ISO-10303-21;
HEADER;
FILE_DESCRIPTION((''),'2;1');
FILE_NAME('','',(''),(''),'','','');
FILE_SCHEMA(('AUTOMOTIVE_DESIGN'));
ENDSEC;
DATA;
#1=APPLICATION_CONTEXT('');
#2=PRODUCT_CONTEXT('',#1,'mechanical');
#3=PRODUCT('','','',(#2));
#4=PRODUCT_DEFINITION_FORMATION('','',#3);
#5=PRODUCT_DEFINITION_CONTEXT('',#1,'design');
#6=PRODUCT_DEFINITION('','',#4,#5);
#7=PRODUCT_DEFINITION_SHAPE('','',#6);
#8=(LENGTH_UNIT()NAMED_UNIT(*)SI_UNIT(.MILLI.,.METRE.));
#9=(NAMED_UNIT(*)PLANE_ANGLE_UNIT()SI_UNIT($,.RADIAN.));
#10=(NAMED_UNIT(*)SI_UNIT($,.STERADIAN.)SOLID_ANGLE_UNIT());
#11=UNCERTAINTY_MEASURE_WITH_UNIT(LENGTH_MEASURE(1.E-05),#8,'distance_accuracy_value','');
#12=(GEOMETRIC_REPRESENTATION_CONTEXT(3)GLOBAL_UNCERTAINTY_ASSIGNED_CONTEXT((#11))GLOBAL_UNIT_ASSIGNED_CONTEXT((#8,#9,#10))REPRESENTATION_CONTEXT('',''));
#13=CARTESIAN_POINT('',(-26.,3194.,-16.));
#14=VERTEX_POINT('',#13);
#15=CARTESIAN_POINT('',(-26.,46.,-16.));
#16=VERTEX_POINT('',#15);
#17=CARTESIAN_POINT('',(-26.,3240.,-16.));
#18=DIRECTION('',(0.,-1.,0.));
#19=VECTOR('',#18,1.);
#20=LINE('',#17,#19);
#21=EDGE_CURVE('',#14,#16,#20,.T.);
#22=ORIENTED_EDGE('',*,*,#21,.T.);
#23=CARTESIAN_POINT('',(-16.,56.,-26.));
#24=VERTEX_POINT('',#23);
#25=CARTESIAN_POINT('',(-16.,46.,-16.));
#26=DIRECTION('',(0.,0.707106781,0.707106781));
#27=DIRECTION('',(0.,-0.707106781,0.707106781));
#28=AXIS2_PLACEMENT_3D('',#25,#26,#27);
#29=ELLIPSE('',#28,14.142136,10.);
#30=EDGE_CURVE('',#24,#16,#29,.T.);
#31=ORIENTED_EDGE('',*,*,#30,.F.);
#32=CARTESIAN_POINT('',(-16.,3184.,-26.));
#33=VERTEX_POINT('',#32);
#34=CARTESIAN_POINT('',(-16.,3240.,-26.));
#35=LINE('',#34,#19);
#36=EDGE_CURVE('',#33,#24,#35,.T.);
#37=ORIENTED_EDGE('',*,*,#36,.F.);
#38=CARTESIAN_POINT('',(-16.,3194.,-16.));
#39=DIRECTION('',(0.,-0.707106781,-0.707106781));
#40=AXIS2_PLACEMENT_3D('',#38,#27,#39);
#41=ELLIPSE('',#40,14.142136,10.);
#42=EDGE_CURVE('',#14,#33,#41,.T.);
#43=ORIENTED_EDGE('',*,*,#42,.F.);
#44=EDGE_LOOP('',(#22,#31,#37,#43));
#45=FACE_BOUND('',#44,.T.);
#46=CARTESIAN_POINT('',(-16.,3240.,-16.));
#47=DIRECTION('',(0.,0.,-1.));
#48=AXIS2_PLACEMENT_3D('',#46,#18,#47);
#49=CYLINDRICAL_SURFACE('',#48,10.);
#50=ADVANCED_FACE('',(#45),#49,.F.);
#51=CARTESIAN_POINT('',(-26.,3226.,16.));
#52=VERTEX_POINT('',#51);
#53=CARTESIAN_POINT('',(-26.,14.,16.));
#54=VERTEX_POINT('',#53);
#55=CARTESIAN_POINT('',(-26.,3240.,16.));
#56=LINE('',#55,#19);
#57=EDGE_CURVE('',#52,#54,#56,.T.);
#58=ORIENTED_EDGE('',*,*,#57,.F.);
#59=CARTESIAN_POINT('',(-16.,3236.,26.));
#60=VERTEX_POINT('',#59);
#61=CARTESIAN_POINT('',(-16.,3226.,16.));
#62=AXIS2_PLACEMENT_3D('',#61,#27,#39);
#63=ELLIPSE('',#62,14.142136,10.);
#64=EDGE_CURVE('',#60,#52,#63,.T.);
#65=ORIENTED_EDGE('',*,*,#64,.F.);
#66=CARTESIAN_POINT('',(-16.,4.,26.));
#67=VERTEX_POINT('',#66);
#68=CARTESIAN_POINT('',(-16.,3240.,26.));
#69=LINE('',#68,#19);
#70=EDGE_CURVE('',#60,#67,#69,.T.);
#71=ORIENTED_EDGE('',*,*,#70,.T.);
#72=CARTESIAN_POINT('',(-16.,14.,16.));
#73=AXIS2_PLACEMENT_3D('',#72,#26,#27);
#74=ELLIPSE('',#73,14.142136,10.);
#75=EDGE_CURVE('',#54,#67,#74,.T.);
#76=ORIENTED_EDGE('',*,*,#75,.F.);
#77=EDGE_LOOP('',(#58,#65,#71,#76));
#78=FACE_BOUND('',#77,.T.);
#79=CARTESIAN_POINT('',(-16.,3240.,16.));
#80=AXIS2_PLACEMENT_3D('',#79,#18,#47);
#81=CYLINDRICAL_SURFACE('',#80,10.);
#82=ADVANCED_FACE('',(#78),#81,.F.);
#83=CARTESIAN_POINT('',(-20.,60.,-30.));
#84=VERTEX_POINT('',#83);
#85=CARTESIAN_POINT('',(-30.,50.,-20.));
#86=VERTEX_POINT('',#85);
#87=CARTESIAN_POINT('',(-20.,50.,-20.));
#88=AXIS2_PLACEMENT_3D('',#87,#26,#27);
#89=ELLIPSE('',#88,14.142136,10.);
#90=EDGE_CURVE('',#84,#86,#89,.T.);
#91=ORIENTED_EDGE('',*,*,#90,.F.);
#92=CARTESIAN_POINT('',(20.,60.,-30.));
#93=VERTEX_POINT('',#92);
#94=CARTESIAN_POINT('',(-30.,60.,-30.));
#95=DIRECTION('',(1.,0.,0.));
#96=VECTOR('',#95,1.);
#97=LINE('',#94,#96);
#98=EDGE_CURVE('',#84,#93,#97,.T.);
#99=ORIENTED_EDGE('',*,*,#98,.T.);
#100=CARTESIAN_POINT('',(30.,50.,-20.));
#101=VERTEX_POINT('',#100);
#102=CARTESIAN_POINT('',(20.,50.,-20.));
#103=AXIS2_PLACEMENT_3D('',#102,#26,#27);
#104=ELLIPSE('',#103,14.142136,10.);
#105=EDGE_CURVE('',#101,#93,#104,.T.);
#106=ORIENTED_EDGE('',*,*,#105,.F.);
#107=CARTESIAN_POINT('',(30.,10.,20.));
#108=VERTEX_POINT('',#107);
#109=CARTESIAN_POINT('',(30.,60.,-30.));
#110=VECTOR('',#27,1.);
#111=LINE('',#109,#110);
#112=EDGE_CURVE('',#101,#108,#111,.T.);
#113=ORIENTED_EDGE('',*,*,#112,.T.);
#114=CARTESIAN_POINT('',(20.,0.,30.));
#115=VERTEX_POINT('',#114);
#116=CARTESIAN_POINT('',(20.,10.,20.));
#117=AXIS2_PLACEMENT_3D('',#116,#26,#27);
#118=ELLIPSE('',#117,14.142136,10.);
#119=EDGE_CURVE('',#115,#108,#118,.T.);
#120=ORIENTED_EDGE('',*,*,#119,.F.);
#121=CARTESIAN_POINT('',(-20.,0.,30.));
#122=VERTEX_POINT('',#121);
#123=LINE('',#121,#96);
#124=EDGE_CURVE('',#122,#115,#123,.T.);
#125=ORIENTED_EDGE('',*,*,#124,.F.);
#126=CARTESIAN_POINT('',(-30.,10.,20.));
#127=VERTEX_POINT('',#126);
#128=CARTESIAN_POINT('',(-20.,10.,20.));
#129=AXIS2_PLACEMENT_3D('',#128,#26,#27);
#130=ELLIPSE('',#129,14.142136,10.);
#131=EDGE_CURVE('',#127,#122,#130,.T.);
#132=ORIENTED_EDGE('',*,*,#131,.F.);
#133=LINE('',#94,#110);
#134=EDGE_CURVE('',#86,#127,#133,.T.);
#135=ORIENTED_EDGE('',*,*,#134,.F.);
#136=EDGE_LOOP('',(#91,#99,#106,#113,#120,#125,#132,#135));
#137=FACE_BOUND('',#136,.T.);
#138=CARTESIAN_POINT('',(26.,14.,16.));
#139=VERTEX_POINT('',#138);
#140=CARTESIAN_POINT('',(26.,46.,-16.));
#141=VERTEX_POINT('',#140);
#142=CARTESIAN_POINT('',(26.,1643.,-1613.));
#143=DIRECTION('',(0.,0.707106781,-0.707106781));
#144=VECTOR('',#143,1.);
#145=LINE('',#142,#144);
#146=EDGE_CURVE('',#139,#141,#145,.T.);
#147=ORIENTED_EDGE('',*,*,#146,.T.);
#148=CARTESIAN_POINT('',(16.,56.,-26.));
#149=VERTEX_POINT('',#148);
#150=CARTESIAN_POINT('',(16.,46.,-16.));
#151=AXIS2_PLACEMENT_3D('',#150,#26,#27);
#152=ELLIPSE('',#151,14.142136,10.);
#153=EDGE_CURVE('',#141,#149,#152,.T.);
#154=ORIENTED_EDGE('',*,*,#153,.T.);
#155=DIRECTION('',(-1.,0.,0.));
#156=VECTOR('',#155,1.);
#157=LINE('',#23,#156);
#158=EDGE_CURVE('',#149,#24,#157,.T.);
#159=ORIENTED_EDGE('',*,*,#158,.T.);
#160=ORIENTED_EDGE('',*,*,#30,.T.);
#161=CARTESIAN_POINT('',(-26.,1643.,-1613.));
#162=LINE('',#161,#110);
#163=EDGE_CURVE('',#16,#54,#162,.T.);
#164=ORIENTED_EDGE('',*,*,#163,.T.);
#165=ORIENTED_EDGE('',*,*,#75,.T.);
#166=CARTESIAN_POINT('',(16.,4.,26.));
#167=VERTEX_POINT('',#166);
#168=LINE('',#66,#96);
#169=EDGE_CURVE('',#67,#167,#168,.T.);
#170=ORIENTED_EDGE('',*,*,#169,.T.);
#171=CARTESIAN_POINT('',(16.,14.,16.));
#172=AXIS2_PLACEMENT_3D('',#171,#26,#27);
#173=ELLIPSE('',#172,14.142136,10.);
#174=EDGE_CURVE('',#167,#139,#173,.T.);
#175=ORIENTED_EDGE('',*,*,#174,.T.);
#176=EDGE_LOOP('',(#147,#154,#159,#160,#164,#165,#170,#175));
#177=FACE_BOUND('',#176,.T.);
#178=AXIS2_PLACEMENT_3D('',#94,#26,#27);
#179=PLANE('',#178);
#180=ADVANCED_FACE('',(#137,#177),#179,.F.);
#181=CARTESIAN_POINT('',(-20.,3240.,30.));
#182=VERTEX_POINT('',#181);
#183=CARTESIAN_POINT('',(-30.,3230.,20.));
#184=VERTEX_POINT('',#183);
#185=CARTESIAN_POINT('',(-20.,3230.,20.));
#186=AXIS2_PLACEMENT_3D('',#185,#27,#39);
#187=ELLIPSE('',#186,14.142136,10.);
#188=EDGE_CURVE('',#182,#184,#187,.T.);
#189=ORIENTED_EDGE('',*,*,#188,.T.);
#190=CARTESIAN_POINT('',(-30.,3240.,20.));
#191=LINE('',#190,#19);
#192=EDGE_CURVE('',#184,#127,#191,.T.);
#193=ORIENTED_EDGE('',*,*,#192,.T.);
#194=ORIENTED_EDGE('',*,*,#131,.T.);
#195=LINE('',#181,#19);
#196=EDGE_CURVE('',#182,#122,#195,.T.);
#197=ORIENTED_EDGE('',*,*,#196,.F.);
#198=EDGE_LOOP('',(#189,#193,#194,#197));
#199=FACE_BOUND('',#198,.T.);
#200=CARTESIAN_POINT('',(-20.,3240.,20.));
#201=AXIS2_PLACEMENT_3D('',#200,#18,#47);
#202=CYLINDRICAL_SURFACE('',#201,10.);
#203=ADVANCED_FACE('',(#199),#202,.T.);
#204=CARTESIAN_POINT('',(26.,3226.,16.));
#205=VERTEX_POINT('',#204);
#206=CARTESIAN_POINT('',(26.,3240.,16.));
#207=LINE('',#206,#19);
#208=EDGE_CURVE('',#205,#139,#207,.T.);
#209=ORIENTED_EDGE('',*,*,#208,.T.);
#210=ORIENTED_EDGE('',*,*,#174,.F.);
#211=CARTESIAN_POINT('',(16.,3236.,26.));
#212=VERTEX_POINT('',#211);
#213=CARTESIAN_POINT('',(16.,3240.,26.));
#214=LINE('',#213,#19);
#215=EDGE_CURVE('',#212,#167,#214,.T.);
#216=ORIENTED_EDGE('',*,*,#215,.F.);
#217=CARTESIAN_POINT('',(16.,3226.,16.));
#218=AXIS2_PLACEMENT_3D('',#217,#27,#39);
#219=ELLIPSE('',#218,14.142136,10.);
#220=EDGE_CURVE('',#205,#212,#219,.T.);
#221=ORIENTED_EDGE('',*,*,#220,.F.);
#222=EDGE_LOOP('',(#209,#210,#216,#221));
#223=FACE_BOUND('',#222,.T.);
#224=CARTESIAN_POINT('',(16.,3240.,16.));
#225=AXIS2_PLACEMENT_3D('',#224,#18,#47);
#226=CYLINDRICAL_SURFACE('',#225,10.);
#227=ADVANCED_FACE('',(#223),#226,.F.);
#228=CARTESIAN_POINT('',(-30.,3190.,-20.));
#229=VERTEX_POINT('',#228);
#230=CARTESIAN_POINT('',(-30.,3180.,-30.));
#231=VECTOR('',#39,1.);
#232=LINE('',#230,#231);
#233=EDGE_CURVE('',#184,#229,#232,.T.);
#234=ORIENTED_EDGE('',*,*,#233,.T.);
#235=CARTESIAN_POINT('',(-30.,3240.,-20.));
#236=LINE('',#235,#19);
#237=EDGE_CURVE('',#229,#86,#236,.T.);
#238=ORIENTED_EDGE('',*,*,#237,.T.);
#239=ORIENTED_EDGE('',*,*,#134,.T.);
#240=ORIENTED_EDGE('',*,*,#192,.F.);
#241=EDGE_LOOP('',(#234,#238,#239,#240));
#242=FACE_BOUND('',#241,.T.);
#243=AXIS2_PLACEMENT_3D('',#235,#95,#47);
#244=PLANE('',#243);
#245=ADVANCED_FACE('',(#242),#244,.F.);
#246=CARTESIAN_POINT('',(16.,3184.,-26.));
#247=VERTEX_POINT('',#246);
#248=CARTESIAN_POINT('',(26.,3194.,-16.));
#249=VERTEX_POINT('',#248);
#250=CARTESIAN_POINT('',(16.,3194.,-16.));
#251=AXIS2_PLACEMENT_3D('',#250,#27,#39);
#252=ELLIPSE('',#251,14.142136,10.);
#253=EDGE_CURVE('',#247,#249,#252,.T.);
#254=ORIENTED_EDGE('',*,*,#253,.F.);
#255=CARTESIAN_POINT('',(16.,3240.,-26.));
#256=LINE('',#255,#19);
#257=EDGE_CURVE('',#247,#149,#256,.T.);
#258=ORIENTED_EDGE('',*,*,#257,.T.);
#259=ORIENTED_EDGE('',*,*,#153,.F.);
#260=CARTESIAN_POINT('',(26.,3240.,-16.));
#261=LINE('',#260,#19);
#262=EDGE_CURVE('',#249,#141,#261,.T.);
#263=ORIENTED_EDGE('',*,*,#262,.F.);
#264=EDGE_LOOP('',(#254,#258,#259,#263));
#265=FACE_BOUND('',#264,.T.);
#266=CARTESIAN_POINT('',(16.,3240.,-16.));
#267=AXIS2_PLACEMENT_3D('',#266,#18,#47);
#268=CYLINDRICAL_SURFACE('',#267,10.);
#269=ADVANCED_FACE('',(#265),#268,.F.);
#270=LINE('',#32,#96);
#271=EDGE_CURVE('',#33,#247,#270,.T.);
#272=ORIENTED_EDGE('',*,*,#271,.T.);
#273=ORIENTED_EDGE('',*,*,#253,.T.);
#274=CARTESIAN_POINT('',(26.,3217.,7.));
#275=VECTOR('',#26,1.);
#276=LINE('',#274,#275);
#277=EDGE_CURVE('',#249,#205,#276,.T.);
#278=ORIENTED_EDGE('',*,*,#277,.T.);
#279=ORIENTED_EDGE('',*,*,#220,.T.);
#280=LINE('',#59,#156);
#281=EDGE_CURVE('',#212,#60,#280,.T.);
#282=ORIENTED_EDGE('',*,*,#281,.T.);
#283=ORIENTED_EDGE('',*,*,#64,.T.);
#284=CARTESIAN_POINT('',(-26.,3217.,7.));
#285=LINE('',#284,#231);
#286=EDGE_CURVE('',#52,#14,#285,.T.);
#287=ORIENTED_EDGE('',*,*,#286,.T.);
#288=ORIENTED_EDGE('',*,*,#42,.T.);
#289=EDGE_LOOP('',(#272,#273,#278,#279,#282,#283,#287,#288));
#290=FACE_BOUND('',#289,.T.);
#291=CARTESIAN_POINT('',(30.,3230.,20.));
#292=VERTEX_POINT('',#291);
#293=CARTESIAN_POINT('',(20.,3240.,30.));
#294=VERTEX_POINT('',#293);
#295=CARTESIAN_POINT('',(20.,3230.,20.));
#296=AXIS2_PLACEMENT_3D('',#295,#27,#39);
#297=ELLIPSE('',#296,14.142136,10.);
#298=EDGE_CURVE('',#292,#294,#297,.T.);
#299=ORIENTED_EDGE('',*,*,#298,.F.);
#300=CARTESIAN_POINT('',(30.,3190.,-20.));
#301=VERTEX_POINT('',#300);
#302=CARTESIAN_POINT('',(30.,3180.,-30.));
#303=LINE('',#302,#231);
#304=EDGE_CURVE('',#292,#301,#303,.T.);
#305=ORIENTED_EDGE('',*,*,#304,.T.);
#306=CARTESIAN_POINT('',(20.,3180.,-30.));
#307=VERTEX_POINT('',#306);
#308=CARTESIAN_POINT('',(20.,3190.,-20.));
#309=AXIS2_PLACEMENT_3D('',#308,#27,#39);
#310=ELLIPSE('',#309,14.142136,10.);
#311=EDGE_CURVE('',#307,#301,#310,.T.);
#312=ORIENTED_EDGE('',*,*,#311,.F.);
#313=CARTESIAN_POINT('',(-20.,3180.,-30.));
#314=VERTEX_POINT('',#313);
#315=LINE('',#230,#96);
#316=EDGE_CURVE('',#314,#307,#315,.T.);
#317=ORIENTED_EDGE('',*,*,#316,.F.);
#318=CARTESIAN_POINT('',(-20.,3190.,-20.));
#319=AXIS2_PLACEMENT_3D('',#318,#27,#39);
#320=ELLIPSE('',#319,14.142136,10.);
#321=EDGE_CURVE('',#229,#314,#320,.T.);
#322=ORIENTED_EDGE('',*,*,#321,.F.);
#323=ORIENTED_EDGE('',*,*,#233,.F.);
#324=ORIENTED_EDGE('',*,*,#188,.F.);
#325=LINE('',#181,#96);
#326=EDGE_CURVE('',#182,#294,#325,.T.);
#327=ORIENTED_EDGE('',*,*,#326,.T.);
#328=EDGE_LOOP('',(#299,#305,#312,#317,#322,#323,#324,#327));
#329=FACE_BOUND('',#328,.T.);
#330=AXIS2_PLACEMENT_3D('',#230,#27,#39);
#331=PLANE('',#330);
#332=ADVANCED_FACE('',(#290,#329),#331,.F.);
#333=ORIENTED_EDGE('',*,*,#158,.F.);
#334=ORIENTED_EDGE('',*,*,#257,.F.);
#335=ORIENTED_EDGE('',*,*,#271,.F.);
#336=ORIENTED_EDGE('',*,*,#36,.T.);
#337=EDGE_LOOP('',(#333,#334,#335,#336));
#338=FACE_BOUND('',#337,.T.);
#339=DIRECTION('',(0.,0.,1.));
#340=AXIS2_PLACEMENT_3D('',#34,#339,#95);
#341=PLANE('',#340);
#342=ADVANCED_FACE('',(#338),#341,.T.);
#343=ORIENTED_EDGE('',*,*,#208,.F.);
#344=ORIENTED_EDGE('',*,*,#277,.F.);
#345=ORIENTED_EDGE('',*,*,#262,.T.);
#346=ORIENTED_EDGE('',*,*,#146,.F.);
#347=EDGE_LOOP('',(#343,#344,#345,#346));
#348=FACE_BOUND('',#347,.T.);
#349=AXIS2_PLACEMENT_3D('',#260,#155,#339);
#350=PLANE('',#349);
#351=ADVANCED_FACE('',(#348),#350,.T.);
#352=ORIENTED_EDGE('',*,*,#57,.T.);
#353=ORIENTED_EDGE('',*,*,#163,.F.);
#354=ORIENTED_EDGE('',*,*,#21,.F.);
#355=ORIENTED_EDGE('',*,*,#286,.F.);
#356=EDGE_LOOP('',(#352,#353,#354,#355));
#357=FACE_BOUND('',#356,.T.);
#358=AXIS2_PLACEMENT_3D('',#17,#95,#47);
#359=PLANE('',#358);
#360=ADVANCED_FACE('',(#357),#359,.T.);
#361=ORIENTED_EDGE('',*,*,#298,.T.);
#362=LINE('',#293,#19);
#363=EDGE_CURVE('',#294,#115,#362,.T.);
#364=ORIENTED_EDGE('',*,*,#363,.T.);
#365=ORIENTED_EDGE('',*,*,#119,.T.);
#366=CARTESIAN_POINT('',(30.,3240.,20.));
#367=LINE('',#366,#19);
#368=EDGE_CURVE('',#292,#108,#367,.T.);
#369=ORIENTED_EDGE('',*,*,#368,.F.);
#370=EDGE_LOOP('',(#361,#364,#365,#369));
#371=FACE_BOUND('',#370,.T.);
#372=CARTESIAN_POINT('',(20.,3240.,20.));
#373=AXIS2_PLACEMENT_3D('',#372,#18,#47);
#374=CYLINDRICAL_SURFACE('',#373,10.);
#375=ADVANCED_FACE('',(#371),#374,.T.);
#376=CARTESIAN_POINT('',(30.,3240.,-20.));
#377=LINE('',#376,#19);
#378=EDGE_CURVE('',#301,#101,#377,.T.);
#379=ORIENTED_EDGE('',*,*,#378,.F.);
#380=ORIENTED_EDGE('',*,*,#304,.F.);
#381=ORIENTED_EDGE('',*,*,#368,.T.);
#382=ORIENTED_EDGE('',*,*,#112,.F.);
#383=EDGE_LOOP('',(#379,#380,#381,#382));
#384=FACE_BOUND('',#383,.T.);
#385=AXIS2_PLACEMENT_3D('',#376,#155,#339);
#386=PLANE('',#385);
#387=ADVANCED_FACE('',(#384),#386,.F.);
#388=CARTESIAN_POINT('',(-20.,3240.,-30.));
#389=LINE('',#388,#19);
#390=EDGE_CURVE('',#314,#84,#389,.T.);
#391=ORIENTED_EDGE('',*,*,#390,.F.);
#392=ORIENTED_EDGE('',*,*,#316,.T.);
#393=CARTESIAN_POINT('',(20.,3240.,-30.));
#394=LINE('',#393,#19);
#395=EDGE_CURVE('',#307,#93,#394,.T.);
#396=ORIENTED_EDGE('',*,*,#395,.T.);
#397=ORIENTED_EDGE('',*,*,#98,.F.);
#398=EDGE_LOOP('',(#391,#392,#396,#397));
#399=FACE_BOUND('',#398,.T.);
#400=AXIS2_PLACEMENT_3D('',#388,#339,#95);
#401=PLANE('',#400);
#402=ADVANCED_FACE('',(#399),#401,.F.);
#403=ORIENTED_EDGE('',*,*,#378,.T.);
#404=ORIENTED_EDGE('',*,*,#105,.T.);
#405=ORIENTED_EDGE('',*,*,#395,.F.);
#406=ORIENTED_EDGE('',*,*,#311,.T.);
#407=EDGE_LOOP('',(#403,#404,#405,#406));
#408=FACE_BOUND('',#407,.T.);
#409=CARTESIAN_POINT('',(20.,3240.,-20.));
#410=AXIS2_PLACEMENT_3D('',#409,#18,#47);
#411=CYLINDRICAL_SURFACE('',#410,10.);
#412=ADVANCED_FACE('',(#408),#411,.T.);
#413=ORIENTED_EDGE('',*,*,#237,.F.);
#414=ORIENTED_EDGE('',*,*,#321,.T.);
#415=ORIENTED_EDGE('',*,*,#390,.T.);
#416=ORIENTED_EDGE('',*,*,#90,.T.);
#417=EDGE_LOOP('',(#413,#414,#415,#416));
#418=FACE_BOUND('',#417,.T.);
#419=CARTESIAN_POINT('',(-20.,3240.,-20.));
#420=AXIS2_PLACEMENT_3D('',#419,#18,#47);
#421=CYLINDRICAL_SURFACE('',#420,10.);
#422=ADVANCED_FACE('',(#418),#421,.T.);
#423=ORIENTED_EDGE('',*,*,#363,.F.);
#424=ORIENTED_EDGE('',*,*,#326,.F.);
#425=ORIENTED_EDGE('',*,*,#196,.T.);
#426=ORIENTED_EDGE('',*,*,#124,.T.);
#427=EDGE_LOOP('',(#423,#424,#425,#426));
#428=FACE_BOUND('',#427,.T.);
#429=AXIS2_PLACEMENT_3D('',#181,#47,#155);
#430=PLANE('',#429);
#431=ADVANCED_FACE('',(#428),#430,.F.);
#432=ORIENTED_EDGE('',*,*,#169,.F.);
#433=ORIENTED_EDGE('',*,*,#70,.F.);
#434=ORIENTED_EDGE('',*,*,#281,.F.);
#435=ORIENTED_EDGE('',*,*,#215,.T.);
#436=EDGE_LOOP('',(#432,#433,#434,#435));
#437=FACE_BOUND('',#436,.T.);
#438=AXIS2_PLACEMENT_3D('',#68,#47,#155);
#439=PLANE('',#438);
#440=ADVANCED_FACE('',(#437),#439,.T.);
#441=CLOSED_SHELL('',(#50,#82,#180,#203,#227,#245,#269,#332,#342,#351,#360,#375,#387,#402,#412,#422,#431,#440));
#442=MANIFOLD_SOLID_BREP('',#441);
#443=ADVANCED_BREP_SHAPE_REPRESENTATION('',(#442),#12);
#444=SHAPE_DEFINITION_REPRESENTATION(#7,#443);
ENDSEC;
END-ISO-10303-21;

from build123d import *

# Parameters (mm, degrees)
EXTRUDE_1_DEPTH     = 3240
CUT_EXTRUDE_1_DEPTH = 3241.694370039


with BuildPart() as part:
    # Эскиз1 → Бобышка-Вытянуть1 (new body)
    with BuildSketch(Plane(origin=(0, 0, 0), x_dir=(1, 0, 0), z_dir=(0, 1, 0))):
        with BuildLine():
            Line((-20, 30), (20, 30))
            ThreePointArc((20, 30), (27.071067812, 27.071067812), (30, 20))
            Line((30, 20), (30, -20))
            ThreePointArc((30, -20), (27.071067812, -27.071067812), (20, -30))
            Line((20, -30), (-20, -30))
            ThreePointArc((-20, -30), (-27.071067812, -27.071067812), (-30, -20))
            Line((-30, -20), (-30, 20))
            ThreePointArc((-30, 20), (-27.071067812, 27.071067812), (-20, 30))
        make_face()
        with BuildLine():
            Line((-16, 26), (16, 26))
            ThreePointArc((16, 26), (23.071067812, 23.071067812), (26, 16))
            Line((26, 16), (26, -16))
            ThreePointArc((26, -16), (23.071067812, -23.071067812), (16, -26))
            Line((16, -26), (-16, -26))
            ThreePointArc((-16, -26), (-23.071067812, -23.071067812), (-26, -16))
            Line((-26, -16), (-26, 16))
            ThreePointArc((-26, 16), (-23.071067812, 23.071067812), (-16, 26))
        make_face(mode=Mode.SUBTRACT)
    extrude(amount=EXTRUDE_1_DEPTH)

    # Эскиз2 → Вырез-Вытянуть1 (cut, through all)
    with BuildSketch(Plane(origin=(30, 0, 0), x_dir=(0, 0, -1), z_dir=(1, 0, 0))):
        Polygon((-30, 0), (30, 0), (30, 60), align=None)
        Polygon((-30, 3240), (30, 3240), (30, 3180), align=None)
    extrude(amount=-CUT_EXTRUDE_1_DEPTH, mode=Mode.SUBTRACT)


solid = part.part
